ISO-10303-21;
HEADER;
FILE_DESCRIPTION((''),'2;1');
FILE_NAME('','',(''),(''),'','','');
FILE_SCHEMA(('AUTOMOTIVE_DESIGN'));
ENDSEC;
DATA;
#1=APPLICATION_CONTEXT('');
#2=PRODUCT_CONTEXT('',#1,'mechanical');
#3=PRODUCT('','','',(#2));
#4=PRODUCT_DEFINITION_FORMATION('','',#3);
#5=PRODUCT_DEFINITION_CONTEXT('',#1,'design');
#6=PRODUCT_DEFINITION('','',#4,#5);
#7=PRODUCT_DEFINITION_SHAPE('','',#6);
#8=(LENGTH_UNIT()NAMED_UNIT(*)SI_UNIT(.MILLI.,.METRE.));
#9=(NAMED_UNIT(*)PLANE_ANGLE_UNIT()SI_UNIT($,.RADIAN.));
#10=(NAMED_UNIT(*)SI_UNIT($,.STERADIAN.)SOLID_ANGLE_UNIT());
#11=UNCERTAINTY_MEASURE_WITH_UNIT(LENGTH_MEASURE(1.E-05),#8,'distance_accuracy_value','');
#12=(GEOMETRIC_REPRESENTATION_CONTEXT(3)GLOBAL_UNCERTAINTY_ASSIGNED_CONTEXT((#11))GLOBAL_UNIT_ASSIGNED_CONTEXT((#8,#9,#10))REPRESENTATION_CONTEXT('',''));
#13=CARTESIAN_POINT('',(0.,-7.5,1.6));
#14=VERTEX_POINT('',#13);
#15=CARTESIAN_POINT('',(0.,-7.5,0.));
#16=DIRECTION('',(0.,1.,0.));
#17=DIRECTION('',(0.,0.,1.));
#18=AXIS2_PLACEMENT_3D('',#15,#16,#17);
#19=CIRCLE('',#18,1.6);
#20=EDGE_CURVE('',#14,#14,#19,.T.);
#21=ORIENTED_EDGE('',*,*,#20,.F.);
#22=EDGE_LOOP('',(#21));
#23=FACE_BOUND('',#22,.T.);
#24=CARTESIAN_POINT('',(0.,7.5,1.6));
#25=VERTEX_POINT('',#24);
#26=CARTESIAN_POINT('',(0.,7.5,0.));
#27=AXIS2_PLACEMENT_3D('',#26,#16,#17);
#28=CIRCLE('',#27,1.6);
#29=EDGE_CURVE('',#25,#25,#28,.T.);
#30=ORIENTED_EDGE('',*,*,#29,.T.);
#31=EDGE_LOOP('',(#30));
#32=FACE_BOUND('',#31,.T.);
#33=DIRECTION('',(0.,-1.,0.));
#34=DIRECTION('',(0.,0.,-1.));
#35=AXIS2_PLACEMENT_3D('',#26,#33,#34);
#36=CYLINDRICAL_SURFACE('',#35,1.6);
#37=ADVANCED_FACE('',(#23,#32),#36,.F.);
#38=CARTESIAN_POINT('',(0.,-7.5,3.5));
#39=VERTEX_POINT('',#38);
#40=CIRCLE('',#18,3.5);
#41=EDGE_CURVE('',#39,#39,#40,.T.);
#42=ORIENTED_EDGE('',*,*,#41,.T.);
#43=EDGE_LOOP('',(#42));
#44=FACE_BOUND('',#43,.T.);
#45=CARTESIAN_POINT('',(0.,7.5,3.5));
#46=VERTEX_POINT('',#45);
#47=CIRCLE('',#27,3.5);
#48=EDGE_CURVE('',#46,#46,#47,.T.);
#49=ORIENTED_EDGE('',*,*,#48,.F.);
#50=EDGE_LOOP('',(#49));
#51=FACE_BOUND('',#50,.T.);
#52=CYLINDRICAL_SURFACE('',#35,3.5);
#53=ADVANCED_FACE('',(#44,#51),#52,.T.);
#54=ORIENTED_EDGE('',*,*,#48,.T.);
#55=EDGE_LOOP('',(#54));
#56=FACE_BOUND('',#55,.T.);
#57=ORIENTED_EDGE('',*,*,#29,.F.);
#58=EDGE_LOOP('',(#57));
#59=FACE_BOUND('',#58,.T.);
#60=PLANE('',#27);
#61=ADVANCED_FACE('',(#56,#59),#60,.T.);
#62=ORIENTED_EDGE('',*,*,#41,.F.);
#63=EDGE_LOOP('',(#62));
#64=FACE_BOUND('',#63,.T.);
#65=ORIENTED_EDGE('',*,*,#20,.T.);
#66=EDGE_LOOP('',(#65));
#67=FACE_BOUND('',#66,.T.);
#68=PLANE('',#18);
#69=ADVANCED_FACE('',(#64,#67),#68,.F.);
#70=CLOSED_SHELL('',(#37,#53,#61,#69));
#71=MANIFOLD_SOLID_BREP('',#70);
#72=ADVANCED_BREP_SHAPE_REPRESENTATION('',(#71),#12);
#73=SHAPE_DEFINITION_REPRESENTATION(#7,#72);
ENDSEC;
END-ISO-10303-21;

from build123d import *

# Parameters (mm, degrees)
ESBO_O1_R                = 3.5
ESBO_O1_R_2              = 1.6
RESSALTO_EXTRUS_O1_DEPTH = 7.5


with BuildPart() as part:
    # Esboço1 → Ressalto-extrusão1 (new, symmetric)
    with BuildSketch(Plane(origin=(0, 0, 0), x_dir=(1, 0, 0), z_dir=(0, 1, 0))):
        with Locations(Location((0, 0, 0), (0, 0, 270))):
            Circle(ESBO_O1_R)
        with Locations(Location((0, 0, 0), (0, 0, 270))):
            Circle(ESBO_O1_R_2, mode=Mode.SUBTRACT)
    extrude(amount=RESSALTO_EXTRUS_O1_DEPTH, both=True)


solid = part.part
